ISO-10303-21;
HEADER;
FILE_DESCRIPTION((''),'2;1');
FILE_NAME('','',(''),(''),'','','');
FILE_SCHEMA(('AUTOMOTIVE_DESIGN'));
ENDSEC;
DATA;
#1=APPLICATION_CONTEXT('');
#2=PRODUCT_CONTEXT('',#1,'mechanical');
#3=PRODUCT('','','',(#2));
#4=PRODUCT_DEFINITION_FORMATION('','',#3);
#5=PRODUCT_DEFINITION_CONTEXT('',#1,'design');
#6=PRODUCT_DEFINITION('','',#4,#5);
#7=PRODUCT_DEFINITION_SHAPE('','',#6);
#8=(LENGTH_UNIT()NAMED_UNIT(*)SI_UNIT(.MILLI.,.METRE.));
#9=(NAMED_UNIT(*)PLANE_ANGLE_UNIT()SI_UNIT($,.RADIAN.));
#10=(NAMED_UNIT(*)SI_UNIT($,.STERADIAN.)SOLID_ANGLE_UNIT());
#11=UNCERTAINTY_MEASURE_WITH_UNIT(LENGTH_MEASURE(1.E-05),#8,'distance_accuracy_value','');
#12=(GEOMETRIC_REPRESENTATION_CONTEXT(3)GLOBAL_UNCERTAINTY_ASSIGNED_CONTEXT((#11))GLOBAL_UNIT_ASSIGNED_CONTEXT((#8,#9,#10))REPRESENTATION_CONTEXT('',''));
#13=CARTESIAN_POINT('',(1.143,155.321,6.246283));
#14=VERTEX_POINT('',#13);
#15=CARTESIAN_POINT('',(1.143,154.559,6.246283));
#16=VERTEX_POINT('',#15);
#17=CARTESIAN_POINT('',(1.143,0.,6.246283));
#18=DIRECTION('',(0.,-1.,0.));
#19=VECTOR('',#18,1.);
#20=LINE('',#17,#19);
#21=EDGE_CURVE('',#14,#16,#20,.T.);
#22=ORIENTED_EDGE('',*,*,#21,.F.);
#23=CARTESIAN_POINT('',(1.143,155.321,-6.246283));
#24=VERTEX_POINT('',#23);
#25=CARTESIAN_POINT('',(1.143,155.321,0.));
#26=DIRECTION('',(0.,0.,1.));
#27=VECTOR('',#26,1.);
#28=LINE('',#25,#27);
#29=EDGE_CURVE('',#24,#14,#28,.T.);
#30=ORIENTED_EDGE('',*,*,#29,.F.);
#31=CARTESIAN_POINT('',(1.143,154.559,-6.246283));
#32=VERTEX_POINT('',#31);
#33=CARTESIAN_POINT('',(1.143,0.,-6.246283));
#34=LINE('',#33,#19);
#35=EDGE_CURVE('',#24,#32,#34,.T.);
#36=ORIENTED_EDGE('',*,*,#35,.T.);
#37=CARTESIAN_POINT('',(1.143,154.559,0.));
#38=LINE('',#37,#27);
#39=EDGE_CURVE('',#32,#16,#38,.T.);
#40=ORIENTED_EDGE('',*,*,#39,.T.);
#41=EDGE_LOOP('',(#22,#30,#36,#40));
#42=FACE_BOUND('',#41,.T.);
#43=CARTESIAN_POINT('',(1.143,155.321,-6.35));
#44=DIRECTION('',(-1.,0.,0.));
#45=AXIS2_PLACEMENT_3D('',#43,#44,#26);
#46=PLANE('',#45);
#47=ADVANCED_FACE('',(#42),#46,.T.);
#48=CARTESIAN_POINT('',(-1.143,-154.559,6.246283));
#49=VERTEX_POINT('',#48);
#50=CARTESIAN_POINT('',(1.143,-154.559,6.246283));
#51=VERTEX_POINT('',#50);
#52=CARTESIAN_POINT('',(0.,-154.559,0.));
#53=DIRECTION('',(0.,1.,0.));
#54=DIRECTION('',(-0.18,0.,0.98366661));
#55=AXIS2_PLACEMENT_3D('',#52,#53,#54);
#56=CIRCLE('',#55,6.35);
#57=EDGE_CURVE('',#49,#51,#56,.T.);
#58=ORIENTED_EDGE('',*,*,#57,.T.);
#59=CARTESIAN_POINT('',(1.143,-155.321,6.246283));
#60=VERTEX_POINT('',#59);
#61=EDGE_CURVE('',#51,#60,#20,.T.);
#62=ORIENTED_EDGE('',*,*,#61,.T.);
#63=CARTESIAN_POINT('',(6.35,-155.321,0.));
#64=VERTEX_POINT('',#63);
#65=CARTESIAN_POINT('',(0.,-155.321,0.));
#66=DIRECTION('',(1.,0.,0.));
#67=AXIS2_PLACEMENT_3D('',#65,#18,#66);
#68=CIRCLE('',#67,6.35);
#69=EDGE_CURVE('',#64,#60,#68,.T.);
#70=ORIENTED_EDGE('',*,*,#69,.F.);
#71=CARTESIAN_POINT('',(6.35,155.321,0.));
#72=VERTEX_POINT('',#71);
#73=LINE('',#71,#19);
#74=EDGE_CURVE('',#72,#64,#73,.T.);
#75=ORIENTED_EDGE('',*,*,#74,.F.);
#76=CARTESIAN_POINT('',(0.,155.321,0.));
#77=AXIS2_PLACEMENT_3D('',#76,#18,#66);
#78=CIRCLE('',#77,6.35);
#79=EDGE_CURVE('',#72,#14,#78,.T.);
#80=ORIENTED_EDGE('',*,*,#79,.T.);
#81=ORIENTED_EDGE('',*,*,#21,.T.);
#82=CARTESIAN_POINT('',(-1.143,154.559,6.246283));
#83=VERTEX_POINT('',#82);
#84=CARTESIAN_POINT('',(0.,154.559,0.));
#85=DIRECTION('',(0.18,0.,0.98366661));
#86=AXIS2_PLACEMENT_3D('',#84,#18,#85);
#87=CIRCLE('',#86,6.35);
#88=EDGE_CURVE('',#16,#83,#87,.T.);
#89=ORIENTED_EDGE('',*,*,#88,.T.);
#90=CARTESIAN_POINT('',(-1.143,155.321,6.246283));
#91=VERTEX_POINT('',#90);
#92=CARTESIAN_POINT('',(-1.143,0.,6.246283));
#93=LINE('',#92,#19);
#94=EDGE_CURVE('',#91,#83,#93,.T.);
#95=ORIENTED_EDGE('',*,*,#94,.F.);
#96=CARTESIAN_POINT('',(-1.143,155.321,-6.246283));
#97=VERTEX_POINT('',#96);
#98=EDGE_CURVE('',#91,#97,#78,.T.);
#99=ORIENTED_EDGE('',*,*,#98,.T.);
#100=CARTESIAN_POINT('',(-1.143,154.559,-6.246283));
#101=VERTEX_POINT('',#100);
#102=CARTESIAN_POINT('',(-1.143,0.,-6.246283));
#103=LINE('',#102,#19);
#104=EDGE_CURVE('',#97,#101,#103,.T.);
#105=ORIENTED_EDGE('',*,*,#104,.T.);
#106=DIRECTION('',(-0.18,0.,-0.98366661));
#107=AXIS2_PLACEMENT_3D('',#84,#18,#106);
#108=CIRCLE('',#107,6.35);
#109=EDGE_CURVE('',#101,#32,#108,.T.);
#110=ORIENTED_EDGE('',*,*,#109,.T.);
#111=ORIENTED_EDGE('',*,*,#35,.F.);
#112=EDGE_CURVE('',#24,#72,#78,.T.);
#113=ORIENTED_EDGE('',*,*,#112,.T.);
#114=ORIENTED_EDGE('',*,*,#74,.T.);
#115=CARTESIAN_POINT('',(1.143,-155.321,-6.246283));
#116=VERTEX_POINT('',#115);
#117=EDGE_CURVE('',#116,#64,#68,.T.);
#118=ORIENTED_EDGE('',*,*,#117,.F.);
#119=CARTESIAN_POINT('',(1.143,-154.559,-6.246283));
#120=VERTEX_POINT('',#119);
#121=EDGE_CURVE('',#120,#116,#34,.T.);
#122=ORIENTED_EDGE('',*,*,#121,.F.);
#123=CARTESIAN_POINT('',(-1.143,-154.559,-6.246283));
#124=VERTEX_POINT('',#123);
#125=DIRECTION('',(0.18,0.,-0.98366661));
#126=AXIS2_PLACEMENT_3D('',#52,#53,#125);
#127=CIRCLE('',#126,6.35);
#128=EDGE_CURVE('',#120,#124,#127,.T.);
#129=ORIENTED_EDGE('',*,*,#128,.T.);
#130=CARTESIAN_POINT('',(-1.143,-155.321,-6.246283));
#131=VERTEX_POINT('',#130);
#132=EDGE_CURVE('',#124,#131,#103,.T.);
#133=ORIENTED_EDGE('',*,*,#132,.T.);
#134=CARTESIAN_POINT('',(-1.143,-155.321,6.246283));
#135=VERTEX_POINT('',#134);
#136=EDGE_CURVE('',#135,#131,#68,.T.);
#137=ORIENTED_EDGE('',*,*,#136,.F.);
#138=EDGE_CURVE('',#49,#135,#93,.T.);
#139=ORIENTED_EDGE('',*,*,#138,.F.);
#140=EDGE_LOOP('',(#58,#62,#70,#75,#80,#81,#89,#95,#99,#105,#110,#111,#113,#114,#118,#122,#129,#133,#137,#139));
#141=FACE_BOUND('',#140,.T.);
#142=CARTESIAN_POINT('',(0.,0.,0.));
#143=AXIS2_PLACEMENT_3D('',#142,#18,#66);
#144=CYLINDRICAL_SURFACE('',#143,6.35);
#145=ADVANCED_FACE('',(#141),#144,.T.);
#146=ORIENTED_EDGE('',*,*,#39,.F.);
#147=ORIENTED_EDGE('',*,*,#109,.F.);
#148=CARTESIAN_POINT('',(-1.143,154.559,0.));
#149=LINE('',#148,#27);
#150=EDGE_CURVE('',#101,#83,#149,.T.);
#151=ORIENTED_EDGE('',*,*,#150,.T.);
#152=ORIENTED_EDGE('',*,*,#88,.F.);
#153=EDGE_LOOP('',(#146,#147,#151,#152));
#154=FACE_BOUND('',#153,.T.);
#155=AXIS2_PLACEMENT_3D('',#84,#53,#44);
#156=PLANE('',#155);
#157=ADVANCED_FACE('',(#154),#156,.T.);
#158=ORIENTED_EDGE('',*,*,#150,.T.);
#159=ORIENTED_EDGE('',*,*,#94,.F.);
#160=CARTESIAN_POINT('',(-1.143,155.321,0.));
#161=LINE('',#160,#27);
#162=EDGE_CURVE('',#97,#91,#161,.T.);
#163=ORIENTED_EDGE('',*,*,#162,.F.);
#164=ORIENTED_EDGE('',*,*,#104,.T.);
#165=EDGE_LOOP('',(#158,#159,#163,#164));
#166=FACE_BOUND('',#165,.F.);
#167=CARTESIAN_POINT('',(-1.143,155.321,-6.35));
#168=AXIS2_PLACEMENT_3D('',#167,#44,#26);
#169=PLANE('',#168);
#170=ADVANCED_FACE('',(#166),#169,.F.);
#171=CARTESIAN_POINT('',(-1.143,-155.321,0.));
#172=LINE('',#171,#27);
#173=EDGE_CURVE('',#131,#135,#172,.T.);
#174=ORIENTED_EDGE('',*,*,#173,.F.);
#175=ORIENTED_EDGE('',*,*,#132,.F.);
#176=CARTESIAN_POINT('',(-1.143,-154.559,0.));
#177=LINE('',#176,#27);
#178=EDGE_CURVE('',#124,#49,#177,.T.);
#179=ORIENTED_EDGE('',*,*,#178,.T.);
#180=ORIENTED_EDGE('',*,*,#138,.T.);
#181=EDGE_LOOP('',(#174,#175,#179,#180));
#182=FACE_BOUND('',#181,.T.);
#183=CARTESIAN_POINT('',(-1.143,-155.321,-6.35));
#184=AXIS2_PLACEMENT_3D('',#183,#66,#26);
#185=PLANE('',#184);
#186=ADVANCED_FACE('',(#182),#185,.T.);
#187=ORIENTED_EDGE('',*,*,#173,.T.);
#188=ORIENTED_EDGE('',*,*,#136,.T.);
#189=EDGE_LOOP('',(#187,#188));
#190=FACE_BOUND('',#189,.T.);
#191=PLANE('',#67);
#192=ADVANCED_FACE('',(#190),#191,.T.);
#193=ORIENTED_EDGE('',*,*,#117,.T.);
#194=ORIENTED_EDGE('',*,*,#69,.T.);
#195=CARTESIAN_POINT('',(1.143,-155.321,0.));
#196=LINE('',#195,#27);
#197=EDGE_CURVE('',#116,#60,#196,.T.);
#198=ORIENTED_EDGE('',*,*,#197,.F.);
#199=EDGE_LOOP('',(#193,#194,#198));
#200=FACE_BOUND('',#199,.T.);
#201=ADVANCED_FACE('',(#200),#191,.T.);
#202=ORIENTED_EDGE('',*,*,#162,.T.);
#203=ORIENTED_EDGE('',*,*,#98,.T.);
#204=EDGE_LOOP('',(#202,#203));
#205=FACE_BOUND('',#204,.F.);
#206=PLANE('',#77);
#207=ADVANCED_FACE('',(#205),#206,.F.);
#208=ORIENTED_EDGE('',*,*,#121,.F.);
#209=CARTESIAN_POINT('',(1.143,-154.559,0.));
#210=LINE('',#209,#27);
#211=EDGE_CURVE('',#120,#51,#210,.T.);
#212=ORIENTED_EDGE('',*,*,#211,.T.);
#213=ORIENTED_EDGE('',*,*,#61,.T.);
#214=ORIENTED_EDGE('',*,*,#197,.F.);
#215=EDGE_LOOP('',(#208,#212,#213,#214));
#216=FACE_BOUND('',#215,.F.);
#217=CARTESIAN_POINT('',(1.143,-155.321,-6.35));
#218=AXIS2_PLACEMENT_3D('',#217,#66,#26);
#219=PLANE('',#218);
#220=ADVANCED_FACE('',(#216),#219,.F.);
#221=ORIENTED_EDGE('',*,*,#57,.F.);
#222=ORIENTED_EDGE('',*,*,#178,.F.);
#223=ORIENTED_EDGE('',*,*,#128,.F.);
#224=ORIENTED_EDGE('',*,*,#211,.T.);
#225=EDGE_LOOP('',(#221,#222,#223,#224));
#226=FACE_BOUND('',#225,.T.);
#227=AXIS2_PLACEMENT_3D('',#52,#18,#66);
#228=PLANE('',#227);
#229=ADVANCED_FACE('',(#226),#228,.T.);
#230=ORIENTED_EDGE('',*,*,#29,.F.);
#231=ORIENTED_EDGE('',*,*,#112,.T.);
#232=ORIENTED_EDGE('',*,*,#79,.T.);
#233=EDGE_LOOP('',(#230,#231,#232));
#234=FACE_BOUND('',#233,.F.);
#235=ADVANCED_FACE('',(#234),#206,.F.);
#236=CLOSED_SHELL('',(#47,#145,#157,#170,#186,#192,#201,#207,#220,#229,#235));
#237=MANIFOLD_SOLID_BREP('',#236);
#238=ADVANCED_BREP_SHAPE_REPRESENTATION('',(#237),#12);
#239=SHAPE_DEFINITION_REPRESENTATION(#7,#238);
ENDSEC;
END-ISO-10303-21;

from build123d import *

# Parameters (mm, degrees)
F0_R     = 6.35
F1_DEPTH = 155.321
F2_W     = 2.286
F2_H     = 12.7
F3_DEPTH = 0.762
F4_W     = 2.286
F4_H     = 12.7
F5_DEPTH = 0.762


with BuildPart() as f1:
    # F0 (on Front) → F1 (new body, symmetric)
    with BuildSketch(Plane.XZ):
        Circle(F0_R)
    extrude(amount=F1_DEPTH, both=True)

    # F2 (on face) → F3 (cut)
    with BuildSketch(Plane.XZ.offset(155.321)):
        Rectangle(F2_W, F2_H)
    extrude(amount=-F3_DEPTH, mode=Mode.SUBTRACT)

    # F4 (on face) → F5 (cut)
    with BuildSketch(Plane(origin=(0, 155.321, 0), x_dir=(-1, 0, 0), z_dir=(0, 1, 0))):
        Rectangle(F4_W, F4_H)
    extrude(amount=-F5_DEPTH, mode=Mode.SUBTRACT)


solid = f1.part
